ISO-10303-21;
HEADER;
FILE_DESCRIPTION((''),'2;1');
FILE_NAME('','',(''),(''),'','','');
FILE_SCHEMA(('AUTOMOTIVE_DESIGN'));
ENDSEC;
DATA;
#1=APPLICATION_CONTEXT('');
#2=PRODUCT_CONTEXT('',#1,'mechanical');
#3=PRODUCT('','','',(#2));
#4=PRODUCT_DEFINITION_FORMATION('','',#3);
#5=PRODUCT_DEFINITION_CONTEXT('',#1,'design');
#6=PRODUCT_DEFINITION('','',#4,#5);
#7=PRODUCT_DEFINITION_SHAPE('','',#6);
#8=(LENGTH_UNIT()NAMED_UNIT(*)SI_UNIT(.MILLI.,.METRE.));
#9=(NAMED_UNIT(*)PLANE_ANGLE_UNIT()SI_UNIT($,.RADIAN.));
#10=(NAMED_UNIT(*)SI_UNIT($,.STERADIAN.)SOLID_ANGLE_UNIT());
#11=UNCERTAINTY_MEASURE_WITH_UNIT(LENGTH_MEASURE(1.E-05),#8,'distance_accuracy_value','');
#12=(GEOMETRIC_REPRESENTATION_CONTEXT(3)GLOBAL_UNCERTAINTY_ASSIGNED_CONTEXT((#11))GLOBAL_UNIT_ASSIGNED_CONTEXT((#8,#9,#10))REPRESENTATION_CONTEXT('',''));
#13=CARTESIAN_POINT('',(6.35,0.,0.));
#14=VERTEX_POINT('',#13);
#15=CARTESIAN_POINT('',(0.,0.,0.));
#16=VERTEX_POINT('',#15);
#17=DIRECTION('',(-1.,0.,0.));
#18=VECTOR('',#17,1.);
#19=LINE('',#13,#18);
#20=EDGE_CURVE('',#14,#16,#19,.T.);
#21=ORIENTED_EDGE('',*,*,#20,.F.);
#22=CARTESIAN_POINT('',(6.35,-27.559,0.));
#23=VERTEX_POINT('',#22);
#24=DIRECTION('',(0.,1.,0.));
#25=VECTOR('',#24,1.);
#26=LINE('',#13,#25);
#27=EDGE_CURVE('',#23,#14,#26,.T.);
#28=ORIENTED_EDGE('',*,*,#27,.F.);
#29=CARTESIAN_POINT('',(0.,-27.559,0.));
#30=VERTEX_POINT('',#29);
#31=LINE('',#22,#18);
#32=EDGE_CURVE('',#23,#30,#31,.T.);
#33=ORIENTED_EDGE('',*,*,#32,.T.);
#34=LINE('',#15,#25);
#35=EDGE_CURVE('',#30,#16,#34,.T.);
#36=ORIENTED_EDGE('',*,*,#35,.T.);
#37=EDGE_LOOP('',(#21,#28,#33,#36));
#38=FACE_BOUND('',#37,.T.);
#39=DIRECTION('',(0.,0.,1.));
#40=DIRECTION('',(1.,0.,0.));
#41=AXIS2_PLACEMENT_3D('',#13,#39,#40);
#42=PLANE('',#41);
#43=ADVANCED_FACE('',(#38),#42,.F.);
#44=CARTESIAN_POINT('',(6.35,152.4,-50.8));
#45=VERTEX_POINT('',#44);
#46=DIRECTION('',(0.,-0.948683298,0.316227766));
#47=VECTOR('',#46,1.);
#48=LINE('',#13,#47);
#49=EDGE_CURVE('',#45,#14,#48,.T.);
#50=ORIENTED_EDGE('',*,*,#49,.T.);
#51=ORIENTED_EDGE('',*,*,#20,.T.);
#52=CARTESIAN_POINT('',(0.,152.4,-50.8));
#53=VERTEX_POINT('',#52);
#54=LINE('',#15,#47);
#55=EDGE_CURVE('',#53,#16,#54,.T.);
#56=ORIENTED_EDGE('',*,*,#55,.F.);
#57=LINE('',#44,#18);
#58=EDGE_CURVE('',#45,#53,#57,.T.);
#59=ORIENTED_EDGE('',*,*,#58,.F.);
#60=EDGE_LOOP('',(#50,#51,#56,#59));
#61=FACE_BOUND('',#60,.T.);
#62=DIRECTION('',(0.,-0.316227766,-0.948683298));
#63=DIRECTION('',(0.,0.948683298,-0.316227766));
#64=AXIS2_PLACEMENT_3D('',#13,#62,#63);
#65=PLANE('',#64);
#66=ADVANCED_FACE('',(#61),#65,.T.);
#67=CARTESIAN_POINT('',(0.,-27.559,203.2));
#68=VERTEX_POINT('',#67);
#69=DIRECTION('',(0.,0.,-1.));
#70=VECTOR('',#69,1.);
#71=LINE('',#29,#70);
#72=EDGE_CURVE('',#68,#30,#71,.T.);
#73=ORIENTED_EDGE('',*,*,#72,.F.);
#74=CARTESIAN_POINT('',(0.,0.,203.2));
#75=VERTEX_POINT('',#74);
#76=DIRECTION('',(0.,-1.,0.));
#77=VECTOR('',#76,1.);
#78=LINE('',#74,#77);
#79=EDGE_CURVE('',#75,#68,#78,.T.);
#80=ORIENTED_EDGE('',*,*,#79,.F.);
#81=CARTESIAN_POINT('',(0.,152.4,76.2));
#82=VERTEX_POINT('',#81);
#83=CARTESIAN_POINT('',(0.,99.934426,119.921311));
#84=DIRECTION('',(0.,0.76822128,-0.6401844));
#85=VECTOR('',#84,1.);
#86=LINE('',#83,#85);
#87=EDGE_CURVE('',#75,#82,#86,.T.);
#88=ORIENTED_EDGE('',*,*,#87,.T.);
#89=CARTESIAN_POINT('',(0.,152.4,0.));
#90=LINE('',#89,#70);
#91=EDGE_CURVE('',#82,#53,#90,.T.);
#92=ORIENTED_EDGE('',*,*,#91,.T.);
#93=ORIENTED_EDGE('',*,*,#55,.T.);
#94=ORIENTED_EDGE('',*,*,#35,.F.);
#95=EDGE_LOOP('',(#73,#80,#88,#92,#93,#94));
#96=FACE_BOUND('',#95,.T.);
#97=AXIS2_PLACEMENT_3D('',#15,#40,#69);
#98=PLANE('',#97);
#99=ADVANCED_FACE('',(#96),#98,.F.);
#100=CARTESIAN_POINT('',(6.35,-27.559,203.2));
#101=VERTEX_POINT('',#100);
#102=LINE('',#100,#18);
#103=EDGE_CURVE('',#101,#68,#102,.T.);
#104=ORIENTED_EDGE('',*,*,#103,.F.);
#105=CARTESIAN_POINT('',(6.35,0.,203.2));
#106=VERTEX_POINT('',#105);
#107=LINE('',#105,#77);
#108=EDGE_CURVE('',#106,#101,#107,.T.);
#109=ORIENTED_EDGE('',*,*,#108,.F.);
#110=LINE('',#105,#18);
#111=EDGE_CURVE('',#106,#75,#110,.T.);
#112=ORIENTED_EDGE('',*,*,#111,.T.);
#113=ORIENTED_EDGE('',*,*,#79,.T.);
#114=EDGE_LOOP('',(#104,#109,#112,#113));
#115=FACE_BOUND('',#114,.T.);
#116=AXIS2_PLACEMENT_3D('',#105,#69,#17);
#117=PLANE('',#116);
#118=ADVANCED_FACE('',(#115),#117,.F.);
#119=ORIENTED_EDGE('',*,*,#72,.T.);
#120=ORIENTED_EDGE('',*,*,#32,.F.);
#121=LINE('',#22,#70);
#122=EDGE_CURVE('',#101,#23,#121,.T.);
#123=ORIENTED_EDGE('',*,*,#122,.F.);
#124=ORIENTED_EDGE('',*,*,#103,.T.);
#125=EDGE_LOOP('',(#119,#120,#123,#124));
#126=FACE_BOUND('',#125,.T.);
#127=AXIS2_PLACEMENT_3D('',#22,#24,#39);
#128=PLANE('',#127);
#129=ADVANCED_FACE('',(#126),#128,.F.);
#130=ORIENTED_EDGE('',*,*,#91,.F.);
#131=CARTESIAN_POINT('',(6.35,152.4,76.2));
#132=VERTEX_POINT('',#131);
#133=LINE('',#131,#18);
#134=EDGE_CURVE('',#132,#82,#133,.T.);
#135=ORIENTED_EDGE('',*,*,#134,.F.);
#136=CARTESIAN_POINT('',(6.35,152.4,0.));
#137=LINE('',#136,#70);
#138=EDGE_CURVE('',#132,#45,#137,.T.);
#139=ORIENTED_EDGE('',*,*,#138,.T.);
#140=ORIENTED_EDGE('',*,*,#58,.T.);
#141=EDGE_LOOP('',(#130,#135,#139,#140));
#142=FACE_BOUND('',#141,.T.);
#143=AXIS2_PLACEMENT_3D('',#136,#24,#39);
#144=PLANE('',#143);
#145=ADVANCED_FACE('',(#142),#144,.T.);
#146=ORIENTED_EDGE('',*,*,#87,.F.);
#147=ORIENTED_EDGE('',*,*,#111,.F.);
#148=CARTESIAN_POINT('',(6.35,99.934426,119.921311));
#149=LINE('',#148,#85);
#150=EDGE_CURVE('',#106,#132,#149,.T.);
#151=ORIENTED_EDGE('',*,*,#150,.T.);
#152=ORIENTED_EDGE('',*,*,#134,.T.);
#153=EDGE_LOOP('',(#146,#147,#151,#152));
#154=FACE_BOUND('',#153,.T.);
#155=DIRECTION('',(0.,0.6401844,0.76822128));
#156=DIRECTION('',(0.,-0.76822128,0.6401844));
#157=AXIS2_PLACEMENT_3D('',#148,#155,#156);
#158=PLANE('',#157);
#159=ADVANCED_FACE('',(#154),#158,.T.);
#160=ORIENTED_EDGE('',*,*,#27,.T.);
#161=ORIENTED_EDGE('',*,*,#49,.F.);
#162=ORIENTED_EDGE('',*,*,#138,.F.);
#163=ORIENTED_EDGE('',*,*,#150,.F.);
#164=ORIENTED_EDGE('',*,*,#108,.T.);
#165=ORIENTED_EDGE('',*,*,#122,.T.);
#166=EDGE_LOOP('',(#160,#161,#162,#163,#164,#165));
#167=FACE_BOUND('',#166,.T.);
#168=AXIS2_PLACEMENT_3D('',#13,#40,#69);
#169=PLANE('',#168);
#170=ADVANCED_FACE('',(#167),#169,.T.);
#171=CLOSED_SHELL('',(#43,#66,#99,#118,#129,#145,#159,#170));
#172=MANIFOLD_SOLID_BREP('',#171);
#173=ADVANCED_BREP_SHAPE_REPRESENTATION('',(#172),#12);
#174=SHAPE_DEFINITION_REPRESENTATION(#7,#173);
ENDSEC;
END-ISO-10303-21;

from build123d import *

# Parameters (mm, degrees)
BOSS_EXTRU_1_DEPTH = 6.35


with BuildPart() as part:
    # Esquisse2 → Boss.-Extru.1 (new body)
    with BuildSketch(Plane(origin=(0, 0, 0), x_dir=(0, 0, -1), z_dir=(1, 0, 0))):
        Polygon((-203.2, 0), (-203.2, -27.559), (0, -27.559), (0, 0), (50.8, 152.4), (-76.2, 152.4), align=None)
    extrude(amount=BOSS_EXTRU_1_DEPTH)


solid = part.part
